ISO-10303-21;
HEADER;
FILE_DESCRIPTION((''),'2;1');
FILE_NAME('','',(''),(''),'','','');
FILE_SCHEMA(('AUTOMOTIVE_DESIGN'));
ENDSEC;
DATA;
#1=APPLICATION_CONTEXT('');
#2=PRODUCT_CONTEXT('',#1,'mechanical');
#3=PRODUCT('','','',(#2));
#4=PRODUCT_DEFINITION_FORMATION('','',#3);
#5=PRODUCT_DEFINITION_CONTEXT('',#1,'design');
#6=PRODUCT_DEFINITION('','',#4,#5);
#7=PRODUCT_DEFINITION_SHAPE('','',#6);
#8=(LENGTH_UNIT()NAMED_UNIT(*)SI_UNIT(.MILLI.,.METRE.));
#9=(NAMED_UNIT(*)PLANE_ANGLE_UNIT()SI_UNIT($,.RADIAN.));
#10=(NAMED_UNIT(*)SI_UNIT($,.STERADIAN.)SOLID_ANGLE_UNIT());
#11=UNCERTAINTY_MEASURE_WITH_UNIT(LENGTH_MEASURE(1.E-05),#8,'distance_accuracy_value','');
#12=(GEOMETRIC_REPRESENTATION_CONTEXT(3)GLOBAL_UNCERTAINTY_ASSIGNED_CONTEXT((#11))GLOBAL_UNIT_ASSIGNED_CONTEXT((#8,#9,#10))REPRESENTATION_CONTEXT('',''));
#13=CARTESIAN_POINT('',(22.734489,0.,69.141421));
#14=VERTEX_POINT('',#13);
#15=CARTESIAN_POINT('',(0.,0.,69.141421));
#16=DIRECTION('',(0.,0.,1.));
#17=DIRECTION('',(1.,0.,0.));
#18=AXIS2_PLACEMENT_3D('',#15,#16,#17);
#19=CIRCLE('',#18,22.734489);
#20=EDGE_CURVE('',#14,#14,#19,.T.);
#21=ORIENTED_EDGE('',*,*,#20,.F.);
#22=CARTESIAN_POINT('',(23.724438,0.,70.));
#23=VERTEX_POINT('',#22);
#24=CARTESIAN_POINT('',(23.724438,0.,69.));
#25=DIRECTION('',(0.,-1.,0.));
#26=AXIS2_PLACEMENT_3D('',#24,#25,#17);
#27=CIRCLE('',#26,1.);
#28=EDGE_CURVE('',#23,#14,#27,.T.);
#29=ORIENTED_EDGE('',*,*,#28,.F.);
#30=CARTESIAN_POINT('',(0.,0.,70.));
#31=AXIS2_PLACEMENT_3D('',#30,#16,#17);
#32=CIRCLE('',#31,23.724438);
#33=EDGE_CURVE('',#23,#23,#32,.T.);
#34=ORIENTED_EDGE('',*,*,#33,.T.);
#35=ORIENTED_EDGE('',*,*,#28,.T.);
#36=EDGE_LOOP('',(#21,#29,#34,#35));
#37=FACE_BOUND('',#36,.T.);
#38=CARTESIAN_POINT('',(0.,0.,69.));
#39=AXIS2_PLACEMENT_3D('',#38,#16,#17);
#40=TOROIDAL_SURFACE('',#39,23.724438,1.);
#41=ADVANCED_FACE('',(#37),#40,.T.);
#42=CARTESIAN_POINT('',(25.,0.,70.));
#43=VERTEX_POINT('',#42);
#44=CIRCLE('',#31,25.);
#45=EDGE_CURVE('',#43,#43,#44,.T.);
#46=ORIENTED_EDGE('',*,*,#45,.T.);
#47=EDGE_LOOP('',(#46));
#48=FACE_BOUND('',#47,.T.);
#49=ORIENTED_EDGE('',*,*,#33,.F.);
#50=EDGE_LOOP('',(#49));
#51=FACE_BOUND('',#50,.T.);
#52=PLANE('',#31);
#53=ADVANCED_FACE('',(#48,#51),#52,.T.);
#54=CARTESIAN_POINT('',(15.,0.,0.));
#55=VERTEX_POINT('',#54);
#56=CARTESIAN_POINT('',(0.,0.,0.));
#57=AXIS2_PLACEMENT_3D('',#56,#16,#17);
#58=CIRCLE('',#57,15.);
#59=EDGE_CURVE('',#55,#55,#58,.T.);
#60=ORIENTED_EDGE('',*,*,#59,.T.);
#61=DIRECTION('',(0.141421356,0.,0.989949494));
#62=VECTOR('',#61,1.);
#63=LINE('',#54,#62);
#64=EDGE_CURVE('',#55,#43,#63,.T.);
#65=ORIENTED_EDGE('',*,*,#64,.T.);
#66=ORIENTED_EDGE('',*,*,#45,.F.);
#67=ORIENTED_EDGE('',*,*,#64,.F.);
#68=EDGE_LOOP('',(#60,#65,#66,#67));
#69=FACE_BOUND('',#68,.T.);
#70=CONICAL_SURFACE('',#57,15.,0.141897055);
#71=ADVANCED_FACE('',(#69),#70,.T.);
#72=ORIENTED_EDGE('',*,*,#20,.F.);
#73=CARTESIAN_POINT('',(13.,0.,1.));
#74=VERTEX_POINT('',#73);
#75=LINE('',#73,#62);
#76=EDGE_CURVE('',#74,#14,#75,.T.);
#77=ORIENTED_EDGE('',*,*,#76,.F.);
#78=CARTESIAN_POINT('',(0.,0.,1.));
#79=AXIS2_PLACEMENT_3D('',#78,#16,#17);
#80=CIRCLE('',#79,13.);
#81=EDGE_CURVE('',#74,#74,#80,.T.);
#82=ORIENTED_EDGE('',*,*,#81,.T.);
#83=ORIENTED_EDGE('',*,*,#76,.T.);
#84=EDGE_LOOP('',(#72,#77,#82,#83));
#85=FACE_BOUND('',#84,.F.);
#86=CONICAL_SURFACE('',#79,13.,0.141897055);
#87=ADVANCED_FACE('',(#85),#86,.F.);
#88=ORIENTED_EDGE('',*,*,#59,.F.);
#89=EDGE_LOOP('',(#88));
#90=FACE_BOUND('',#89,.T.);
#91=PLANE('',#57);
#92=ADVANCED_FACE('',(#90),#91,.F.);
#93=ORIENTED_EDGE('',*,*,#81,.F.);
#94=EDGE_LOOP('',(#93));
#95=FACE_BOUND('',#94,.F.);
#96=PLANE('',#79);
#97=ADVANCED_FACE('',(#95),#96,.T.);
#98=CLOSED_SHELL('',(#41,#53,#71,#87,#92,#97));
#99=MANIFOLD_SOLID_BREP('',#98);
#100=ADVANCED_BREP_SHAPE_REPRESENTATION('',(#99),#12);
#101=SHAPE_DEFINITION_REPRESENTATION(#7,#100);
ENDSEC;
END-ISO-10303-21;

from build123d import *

# Parameters (mm, degrees)
FILLET_R = 1


with BuildPart() as con001:
    # Cone001 → Cone001 (revolve)
    with BuildSketch(Plane(origin=(0, 0, 1), x_dir=(1, 0, 0), z_dir=(0, -1, 0))):
        Polygon((0, 0), (13, 0), (23, 70), (0, 70), align=None)
    revolve(axis=Axis((0, 0, 1), (0, 0, 1)))


with BuildPart() as fillet_body:
    # Cone → Cone (revolve)
    with BuildSketch(Plane.XZ):
        Polygon((0, 0), (15, 0), (25, 70), (0, 70), align=None)
    revolve(axis=Axis((0, 0, 0), (0, 0, 1)))

    # Cut: cut Con001
    add(con001.part, mode=Mode.SUBTRACT)

    # Fillet
    fillet_edges = [fillet_body.edges().sort_by_distance(p)[0] for p in [
        (-22.857143, 0, 70),
    ]]
    fillet(fillet_edges, radius=FILLET_R)


solid = fillet_body.part
